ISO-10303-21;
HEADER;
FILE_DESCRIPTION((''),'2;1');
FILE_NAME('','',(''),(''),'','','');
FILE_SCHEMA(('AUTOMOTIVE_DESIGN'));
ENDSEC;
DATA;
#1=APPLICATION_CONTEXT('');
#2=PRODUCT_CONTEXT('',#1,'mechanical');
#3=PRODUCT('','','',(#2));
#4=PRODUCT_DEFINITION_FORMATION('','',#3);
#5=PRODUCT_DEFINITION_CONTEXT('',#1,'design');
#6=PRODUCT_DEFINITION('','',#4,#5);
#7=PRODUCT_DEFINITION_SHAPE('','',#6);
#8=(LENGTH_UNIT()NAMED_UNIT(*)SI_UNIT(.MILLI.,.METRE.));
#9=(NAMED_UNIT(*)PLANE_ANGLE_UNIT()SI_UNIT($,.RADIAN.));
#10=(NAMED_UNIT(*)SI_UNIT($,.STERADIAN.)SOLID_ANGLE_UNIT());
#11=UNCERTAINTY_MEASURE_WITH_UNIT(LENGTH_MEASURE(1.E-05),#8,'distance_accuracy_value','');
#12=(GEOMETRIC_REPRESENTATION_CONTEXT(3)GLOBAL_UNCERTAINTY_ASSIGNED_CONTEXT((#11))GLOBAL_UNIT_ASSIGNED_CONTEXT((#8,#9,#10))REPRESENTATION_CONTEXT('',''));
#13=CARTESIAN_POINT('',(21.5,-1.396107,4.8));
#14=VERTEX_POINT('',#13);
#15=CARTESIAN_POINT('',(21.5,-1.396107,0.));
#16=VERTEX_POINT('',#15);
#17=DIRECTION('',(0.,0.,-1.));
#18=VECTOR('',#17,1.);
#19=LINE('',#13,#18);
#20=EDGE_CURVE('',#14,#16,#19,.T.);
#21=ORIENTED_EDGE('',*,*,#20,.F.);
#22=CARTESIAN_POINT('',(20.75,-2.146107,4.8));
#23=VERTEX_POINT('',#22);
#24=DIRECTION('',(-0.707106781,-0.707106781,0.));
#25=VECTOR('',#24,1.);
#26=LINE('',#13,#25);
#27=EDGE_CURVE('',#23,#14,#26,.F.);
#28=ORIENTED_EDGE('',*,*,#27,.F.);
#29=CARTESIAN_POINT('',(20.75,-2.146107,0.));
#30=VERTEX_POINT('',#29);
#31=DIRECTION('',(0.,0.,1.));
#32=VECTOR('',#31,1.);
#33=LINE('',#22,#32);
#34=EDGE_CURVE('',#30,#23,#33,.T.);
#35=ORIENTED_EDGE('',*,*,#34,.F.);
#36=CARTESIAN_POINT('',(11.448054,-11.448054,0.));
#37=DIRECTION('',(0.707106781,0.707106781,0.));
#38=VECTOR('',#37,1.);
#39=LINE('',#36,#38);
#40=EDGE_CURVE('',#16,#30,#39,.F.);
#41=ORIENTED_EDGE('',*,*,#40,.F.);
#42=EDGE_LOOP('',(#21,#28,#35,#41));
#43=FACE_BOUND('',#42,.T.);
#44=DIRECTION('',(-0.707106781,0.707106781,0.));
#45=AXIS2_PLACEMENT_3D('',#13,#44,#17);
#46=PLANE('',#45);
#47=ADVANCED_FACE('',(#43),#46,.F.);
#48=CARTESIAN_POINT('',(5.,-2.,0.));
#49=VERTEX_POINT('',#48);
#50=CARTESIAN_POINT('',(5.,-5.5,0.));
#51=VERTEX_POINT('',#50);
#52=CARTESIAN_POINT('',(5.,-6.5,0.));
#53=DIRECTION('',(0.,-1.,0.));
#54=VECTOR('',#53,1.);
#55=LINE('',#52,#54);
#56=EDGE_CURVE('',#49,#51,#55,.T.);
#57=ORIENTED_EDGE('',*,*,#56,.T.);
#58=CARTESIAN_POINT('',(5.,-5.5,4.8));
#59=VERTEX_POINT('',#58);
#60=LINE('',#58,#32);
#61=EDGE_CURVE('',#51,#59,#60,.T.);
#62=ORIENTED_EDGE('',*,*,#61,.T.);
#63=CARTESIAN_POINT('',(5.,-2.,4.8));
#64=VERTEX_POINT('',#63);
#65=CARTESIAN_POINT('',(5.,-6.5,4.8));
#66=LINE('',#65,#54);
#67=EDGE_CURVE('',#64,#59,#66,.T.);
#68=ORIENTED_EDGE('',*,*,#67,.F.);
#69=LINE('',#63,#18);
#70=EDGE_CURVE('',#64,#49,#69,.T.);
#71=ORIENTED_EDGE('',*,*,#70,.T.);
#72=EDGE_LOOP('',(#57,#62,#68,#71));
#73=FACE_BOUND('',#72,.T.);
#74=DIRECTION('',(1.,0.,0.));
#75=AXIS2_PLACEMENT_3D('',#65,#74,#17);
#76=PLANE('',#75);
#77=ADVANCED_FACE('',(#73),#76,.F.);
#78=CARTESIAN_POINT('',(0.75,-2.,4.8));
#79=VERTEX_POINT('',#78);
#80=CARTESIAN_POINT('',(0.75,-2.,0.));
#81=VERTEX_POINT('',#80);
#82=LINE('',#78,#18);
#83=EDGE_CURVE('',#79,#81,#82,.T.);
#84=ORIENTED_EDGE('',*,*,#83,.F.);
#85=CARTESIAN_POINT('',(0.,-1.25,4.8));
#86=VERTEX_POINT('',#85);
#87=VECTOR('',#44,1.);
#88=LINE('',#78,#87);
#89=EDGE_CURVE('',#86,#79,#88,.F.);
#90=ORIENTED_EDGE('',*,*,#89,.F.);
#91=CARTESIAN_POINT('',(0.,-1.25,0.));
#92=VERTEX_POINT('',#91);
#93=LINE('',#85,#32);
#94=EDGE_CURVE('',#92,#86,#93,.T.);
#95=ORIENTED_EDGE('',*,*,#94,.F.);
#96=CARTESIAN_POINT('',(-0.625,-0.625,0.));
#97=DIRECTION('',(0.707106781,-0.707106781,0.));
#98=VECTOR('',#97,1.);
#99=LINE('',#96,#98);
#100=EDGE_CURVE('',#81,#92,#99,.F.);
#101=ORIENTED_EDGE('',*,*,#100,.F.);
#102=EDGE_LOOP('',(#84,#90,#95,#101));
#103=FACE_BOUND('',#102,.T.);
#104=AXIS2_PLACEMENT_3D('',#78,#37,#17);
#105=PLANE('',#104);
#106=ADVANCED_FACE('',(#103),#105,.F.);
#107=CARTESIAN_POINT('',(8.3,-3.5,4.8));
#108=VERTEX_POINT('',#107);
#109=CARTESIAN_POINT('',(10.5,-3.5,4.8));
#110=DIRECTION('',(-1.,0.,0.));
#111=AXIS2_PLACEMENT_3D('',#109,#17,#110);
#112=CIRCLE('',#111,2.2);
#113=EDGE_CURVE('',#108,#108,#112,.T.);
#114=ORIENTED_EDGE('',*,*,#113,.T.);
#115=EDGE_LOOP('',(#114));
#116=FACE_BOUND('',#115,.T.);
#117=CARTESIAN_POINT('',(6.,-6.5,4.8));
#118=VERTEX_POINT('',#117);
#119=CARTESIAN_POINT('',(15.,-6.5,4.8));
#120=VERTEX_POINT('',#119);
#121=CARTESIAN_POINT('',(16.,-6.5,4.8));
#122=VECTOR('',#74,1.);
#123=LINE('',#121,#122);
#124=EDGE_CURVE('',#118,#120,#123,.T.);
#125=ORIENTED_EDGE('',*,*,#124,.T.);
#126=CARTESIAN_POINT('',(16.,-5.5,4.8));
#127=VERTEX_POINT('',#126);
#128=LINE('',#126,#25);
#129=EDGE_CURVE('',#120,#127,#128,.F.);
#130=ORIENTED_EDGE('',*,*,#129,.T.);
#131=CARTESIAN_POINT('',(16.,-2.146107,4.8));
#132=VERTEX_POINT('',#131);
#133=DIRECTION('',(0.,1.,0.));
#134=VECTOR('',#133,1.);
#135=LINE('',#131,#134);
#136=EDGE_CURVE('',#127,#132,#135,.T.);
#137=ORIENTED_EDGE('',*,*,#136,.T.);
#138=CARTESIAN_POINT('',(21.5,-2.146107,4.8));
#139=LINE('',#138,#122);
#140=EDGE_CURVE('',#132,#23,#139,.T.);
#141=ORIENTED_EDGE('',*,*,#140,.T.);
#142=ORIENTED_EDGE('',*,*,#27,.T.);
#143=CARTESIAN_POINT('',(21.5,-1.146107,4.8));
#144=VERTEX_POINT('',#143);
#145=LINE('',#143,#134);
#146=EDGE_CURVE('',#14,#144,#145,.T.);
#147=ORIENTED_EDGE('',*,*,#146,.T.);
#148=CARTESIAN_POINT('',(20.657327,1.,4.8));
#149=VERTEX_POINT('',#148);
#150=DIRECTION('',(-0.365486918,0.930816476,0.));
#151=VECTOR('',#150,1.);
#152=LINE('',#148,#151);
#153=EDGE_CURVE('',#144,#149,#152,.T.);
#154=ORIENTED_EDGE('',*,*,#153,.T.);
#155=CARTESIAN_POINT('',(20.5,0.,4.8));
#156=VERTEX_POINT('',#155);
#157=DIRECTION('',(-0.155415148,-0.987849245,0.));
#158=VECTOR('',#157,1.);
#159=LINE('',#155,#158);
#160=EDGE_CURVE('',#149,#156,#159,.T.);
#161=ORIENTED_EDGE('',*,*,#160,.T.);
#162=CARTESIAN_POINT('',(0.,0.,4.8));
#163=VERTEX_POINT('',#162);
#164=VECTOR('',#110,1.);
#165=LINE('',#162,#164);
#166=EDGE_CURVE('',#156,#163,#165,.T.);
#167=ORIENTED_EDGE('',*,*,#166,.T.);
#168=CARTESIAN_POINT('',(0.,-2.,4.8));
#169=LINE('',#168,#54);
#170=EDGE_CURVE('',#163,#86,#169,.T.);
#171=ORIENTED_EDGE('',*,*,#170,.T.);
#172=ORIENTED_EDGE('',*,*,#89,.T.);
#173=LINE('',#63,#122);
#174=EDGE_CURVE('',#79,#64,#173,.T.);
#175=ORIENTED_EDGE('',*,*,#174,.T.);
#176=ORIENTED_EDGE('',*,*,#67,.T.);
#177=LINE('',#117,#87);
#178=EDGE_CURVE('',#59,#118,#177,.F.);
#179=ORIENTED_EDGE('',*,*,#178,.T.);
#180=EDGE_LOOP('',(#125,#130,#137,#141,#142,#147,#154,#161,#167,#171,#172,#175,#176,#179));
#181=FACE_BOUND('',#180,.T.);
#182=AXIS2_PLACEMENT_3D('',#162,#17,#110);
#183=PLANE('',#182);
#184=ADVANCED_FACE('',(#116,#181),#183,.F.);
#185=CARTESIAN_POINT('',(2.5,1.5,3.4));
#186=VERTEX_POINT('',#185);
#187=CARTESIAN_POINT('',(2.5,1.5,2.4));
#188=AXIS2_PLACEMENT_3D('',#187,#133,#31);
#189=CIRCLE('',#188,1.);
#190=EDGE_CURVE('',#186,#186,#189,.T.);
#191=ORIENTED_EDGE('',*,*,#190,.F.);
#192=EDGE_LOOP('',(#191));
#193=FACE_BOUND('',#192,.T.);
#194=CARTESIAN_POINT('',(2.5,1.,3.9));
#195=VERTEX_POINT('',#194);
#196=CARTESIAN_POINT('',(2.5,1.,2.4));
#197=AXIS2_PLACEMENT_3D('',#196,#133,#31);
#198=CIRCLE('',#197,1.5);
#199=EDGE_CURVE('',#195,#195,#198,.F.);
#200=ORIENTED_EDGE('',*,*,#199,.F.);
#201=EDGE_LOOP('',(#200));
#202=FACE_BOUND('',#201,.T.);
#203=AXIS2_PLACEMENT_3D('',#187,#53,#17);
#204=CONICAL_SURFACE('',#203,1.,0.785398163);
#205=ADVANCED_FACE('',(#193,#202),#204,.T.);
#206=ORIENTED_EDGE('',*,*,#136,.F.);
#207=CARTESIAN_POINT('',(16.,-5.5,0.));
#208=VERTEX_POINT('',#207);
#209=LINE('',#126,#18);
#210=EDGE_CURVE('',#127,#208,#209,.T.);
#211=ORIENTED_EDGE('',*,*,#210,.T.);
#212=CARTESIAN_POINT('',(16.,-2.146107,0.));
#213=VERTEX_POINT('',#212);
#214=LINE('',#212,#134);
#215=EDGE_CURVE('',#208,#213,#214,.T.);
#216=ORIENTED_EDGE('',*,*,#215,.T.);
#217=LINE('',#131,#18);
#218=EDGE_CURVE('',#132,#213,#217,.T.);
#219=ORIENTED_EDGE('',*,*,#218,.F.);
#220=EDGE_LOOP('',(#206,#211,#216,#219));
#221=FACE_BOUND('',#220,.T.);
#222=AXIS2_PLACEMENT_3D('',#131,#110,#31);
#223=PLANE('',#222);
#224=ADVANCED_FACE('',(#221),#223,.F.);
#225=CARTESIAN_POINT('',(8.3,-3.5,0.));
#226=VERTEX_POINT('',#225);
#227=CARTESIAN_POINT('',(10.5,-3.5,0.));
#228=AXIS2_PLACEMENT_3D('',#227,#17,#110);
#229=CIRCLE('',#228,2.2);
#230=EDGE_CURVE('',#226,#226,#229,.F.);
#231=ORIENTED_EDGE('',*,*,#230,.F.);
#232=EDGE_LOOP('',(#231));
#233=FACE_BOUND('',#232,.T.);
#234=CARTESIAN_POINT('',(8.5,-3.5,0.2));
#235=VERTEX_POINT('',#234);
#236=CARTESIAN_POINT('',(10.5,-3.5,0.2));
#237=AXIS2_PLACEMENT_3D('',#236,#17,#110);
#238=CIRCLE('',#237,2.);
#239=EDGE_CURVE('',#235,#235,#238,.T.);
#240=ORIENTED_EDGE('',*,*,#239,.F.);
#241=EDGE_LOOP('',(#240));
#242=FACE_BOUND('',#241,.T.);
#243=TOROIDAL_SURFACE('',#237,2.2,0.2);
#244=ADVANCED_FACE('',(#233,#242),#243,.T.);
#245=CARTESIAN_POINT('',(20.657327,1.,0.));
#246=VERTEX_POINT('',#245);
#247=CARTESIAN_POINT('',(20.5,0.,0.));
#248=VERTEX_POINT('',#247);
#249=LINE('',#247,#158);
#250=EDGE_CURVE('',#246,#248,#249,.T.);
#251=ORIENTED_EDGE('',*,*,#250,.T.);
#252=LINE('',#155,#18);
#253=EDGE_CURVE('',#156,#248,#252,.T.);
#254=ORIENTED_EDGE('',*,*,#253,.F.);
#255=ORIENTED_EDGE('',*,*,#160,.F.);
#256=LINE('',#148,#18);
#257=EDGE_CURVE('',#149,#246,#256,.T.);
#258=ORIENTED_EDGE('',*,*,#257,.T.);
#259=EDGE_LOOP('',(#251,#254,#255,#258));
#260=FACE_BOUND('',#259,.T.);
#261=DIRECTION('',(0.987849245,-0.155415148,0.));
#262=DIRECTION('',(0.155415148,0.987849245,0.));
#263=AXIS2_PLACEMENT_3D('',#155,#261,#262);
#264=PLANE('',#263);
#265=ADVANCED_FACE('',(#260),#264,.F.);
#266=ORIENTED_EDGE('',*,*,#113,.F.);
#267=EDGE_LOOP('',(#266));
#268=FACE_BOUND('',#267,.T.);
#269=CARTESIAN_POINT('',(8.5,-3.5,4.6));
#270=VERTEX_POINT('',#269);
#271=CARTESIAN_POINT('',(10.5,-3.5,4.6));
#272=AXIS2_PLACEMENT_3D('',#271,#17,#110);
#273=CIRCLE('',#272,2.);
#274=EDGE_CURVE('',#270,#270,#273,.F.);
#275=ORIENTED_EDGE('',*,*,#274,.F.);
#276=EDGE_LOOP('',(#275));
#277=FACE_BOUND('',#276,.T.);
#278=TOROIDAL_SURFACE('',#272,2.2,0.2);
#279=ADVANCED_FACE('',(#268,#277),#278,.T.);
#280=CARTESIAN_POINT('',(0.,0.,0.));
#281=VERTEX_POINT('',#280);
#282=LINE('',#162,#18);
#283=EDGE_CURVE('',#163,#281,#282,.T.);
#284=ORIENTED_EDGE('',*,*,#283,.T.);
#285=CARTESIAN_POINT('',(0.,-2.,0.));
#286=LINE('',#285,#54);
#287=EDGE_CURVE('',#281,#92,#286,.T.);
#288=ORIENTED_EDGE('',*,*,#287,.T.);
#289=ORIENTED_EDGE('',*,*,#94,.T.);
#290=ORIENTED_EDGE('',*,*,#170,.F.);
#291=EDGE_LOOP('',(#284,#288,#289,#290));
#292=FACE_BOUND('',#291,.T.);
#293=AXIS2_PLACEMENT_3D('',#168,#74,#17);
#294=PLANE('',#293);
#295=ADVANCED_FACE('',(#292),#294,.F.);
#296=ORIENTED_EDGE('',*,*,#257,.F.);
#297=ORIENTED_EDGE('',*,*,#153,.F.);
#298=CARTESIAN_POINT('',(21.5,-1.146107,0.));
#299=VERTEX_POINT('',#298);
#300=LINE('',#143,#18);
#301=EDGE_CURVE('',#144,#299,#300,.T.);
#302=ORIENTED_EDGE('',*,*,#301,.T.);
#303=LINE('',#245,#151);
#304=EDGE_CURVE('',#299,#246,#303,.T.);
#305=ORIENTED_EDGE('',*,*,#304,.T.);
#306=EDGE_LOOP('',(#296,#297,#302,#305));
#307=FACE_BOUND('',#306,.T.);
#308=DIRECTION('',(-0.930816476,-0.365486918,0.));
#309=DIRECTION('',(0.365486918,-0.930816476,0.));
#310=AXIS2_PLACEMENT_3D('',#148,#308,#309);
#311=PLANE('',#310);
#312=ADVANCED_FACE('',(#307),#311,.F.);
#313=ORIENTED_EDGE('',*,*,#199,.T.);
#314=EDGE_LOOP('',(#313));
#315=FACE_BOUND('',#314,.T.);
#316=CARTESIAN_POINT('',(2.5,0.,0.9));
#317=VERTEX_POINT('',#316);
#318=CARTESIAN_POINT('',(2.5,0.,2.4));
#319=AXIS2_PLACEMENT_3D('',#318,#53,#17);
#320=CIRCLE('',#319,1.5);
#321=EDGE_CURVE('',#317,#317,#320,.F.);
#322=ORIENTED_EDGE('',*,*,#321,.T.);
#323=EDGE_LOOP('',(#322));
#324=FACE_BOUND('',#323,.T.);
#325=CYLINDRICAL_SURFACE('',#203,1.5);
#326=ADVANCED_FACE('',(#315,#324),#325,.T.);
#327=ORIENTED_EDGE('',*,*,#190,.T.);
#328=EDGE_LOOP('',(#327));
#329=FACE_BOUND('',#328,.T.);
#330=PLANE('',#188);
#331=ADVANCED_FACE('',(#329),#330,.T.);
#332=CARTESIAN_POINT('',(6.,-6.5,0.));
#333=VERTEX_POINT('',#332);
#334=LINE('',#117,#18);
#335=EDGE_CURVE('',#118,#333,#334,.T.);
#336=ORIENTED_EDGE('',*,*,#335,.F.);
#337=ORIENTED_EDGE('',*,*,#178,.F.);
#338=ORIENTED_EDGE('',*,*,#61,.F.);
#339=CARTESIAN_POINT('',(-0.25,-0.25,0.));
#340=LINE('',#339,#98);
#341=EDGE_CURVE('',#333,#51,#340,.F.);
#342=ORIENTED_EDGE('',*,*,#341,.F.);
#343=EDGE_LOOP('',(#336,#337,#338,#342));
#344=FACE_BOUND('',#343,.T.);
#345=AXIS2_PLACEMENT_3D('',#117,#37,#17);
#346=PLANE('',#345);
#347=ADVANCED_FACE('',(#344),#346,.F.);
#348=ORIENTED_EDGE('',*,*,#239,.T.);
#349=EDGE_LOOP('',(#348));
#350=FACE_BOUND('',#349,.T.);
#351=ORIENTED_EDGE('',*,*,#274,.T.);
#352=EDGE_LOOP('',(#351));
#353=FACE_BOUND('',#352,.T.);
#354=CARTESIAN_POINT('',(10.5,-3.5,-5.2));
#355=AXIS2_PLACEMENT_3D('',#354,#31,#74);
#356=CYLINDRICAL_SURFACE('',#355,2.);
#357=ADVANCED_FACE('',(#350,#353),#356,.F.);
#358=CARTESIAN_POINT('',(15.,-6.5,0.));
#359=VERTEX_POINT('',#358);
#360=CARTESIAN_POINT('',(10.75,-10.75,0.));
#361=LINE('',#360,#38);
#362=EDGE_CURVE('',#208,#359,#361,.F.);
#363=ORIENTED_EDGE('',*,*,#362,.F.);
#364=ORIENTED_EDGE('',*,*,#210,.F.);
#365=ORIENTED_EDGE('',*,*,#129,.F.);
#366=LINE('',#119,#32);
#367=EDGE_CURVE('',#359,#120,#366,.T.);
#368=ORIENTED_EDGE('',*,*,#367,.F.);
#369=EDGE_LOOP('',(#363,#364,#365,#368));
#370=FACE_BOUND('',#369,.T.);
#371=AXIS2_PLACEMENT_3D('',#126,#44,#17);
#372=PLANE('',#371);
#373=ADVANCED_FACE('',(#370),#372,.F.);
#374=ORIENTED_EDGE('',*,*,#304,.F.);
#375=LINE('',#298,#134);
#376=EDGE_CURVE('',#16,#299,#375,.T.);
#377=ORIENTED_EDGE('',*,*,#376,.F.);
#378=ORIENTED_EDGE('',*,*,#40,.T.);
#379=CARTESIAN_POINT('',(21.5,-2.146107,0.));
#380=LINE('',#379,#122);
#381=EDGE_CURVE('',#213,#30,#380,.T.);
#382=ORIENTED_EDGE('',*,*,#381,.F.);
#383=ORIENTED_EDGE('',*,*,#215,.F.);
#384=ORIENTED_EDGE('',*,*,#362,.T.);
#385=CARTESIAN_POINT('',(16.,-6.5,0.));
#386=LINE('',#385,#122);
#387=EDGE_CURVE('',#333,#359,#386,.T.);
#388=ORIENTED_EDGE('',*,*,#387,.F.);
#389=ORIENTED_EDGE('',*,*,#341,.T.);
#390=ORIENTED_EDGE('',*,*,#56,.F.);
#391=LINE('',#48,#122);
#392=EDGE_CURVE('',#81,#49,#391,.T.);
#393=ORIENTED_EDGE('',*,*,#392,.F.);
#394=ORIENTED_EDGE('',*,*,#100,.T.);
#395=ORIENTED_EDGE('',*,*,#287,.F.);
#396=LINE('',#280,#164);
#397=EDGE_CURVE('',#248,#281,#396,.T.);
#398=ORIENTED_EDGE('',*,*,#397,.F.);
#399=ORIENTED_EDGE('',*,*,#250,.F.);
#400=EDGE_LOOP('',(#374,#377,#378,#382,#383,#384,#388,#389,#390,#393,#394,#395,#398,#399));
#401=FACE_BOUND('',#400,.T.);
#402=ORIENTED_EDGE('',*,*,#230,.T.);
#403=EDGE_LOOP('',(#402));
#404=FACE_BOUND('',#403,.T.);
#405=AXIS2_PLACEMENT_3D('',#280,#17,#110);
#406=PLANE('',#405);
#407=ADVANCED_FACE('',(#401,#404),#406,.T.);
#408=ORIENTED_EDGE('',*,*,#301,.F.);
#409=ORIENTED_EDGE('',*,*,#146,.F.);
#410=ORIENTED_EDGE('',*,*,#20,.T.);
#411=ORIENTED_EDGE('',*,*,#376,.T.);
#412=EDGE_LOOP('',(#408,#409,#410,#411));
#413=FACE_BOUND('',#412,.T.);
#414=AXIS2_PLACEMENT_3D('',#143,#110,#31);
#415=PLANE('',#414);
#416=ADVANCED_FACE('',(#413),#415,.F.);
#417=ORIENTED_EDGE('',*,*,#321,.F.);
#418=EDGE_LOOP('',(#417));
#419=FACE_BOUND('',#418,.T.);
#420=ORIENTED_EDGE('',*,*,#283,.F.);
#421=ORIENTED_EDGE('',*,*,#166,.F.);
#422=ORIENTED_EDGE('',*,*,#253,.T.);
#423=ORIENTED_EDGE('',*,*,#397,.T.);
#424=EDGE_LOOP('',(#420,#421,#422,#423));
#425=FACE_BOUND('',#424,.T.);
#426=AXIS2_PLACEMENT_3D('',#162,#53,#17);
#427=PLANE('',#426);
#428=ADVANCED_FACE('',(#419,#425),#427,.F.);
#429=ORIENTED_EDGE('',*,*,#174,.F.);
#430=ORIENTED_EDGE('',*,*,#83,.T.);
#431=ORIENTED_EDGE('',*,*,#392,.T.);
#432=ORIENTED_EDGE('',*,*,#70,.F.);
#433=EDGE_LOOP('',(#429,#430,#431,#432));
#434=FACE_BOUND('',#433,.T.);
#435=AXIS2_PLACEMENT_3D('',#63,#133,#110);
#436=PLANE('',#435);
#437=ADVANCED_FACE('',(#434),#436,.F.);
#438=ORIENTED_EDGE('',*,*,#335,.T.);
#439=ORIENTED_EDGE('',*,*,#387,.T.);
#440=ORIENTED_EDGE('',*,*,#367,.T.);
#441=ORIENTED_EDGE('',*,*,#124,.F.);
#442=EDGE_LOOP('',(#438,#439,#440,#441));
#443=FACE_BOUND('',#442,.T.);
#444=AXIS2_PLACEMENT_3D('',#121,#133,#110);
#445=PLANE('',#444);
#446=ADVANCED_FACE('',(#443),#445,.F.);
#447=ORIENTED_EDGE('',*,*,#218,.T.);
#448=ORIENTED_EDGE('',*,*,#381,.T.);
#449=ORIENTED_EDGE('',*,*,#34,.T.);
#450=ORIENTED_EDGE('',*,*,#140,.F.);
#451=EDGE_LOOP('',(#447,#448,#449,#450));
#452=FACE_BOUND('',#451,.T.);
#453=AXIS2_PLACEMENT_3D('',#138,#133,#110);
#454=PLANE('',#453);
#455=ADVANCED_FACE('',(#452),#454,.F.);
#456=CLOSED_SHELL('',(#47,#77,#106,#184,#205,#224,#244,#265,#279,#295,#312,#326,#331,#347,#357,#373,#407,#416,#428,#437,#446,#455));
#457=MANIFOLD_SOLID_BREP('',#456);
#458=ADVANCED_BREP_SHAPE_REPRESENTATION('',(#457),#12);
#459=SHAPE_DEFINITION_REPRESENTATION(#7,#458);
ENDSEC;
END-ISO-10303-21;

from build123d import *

# Parameters (mm, degrees)
EXTRUDE_1_DEPTH     = 4.8
SKETCH_2_R          = 2
CUT_EXTRUDE_1_DEPTH = 10
CHAMFER_1_SIZE      = 1
CHAMFER_2_SIZE      = 0.75
SKETCH_3_R          = 1.5
EXTRUDE_2_DEPTH     = 1.5
CHAMFER_3_SIZE      = 0.5
FILLET_2_R          = 0.2


with BuildPart() as part:
    # 스케치1 → 보스-돌출1 (new body)
    with BuildSketch(Plane.XY):
        Polygon((0, 0), (20.5, 0), (20.657326787, 1), (21.5, -1.146107212), (21.5, -2.146107212), (16, -2.146107212), (16, -6.5), (5, -6.5), (5, -2), (0, -2), align=None)
    extrude(amount=EXTRUDE_1_DEPTH)

    # 스케치2 → 컷-돌출1 (cut)
    with BuildSketch(Plane.XY.offset(4.8)):
        with Locations((10.5, -3.5)):
            Circle(SKETCH_2_R)
    extrude(amount=-CUT_EXTRUDE_1_DEPTH, mode=Mode.SUBTRACT)

    # 모따기1
    chamfer_1_edges = [part.edges().sort_by_distance(p)[0] for p in [
        (16, -6.5, 2.4),
        (5, -6.5, 2.4),
    ]]
    chamfer(chamfer_1_edges, length=CHAMFER_1_SIZE)

    # 모따기2
    chamfer_2_edges = [part.edges().sort_by_distance(p)[0] for p in [
        (21.5, -2.146107212, 2.4),
        (0, -2, 2.4),
    ]]
    chamfer(chamfer_2_edges, length=CHAMFER_2_SIZE)

    # 스케치3 → 보스-돌출2 (add)
    with BuildSketch(Plane(origin=(0, 0, 0), x_dir=(1, 0, 0), z_dir=(0, 1, 0))):
        with Locations(Location((2.5, -2.4, 0), (0, 0, 90))):
            Circle(SKETCH_3_R)
    extrude(amount=EXTRUDE_2_DEPTH)

    # 모따기3
    chamfer_3_edges = [part.edges().sort_by_distance(p)[0] for p in [
        (2.5, 1.5, 3.9),
    ]]
    chamfer(chamfer_3_edges, length=CHAMFER_3_SIZE)

    # 필렛2
    fillet_2_edges = [part.edges().sort_by_distance(p)[0] for p in [
        (8.5, -3.5, 0),
        (8.5, -3.5, 4.8),
    ]]
    fillet(fillet_2_edges, radius=FILLET_2_R)


solid = part.part
